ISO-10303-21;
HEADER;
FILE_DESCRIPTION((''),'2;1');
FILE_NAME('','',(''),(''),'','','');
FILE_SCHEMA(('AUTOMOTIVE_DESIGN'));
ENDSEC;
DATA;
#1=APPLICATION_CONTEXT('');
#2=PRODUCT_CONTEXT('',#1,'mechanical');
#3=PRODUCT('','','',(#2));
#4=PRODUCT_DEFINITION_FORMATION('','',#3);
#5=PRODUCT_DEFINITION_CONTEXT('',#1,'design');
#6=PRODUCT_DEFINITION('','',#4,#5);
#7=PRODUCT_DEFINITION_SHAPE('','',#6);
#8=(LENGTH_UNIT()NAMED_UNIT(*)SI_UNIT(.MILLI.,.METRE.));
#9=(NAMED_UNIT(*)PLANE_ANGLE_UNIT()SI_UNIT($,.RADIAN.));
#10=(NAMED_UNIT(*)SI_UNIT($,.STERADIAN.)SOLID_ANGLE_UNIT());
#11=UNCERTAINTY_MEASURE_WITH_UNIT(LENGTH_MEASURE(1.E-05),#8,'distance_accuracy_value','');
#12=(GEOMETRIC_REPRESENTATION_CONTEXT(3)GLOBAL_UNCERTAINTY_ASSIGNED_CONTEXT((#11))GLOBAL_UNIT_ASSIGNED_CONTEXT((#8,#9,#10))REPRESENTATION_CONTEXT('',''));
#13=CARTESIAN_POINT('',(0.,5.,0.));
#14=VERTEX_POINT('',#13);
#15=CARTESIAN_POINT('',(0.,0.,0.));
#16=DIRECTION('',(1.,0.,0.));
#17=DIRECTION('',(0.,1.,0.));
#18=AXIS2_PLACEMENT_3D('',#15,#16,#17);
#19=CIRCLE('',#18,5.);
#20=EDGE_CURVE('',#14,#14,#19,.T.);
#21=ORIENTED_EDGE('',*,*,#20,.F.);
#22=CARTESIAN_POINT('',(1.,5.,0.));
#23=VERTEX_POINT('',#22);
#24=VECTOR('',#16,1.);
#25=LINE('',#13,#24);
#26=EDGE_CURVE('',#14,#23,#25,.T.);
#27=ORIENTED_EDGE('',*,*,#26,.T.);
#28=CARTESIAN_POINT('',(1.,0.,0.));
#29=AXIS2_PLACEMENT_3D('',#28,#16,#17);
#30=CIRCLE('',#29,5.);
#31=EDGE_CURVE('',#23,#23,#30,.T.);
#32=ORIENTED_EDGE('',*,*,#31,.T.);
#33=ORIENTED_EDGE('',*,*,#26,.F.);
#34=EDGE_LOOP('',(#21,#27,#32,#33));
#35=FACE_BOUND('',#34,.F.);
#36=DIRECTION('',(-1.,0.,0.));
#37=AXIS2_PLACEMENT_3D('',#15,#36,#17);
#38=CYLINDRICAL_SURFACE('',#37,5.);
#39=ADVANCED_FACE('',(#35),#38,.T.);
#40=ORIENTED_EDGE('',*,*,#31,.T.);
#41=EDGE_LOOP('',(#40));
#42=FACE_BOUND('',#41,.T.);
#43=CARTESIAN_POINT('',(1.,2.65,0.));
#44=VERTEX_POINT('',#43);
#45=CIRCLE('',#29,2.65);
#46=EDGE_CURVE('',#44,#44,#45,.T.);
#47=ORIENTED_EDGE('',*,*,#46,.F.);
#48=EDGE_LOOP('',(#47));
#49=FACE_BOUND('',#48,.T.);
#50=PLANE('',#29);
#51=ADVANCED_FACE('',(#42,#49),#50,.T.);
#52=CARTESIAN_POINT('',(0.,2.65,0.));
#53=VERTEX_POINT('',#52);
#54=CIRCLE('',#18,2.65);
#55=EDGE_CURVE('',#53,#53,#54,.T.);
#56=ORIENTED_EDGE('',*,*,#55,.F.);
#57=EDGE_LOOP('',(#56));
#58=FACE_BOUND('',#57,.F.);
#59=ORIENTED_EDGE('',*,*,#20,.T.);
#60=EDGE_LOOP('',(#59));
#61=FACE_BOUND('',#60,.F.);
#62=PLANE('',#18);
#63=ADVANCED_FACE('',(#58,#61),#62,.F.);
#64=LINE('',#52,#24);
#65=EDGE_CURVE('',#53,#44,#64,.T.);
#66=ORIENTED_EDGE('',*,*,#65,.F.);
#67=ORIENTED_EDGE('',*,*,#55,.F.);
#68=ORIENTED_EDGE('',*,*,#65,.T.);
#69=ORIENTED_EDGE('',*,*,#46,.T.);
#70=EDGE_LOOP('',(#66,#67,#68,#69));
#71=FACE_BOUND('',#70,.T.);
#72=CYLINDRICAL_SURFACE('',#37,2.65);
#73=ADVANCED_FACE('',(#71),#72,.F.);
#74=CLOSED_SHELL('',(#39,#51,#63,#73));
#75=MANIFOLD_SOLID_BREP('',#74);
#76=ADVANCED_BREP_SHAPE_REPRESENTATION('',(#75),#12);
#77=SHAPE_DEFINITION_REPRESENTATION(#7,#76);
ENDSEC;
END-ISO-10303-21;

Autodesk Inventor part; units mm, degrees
ref_plane "YZ Plane" through (0, 0, 0) normal (1, 0, 0) x (0, 1, 0)
ref_plane "XZ Plane" through (0, 0, 0) normal (0, 1, 0) x (-1, 0, 0)
sketch "Náčrt" plane through (0, 0, 0) normal (1, 0, 0) x (0, 1, 0)
  circle A0 centre (0, 0) radius 5
  circle A1 centre (0, 0) radius 2.65
  dimension "d0" = 5.3
  dimension "d1" = 10
extrude "Těleso" add sketch "Náčrt" along normal blind 1
ref_plane "Work Plane1" through (0, 0, 0) normal (0, 0, 1) x (1, 0, 0)
equation "\"d0\" = SD1"
equation "\"d1\" = SD2"
equation "\"d2\" = SD"
equation "\"SD1\" = 5.3"
equation "\"SD2\" = 10"
equation "\"SD\" = 1"
equation "\"NND\" = 5"
properties part number "ISO 7089 - 5" material "Stainless Steel"
